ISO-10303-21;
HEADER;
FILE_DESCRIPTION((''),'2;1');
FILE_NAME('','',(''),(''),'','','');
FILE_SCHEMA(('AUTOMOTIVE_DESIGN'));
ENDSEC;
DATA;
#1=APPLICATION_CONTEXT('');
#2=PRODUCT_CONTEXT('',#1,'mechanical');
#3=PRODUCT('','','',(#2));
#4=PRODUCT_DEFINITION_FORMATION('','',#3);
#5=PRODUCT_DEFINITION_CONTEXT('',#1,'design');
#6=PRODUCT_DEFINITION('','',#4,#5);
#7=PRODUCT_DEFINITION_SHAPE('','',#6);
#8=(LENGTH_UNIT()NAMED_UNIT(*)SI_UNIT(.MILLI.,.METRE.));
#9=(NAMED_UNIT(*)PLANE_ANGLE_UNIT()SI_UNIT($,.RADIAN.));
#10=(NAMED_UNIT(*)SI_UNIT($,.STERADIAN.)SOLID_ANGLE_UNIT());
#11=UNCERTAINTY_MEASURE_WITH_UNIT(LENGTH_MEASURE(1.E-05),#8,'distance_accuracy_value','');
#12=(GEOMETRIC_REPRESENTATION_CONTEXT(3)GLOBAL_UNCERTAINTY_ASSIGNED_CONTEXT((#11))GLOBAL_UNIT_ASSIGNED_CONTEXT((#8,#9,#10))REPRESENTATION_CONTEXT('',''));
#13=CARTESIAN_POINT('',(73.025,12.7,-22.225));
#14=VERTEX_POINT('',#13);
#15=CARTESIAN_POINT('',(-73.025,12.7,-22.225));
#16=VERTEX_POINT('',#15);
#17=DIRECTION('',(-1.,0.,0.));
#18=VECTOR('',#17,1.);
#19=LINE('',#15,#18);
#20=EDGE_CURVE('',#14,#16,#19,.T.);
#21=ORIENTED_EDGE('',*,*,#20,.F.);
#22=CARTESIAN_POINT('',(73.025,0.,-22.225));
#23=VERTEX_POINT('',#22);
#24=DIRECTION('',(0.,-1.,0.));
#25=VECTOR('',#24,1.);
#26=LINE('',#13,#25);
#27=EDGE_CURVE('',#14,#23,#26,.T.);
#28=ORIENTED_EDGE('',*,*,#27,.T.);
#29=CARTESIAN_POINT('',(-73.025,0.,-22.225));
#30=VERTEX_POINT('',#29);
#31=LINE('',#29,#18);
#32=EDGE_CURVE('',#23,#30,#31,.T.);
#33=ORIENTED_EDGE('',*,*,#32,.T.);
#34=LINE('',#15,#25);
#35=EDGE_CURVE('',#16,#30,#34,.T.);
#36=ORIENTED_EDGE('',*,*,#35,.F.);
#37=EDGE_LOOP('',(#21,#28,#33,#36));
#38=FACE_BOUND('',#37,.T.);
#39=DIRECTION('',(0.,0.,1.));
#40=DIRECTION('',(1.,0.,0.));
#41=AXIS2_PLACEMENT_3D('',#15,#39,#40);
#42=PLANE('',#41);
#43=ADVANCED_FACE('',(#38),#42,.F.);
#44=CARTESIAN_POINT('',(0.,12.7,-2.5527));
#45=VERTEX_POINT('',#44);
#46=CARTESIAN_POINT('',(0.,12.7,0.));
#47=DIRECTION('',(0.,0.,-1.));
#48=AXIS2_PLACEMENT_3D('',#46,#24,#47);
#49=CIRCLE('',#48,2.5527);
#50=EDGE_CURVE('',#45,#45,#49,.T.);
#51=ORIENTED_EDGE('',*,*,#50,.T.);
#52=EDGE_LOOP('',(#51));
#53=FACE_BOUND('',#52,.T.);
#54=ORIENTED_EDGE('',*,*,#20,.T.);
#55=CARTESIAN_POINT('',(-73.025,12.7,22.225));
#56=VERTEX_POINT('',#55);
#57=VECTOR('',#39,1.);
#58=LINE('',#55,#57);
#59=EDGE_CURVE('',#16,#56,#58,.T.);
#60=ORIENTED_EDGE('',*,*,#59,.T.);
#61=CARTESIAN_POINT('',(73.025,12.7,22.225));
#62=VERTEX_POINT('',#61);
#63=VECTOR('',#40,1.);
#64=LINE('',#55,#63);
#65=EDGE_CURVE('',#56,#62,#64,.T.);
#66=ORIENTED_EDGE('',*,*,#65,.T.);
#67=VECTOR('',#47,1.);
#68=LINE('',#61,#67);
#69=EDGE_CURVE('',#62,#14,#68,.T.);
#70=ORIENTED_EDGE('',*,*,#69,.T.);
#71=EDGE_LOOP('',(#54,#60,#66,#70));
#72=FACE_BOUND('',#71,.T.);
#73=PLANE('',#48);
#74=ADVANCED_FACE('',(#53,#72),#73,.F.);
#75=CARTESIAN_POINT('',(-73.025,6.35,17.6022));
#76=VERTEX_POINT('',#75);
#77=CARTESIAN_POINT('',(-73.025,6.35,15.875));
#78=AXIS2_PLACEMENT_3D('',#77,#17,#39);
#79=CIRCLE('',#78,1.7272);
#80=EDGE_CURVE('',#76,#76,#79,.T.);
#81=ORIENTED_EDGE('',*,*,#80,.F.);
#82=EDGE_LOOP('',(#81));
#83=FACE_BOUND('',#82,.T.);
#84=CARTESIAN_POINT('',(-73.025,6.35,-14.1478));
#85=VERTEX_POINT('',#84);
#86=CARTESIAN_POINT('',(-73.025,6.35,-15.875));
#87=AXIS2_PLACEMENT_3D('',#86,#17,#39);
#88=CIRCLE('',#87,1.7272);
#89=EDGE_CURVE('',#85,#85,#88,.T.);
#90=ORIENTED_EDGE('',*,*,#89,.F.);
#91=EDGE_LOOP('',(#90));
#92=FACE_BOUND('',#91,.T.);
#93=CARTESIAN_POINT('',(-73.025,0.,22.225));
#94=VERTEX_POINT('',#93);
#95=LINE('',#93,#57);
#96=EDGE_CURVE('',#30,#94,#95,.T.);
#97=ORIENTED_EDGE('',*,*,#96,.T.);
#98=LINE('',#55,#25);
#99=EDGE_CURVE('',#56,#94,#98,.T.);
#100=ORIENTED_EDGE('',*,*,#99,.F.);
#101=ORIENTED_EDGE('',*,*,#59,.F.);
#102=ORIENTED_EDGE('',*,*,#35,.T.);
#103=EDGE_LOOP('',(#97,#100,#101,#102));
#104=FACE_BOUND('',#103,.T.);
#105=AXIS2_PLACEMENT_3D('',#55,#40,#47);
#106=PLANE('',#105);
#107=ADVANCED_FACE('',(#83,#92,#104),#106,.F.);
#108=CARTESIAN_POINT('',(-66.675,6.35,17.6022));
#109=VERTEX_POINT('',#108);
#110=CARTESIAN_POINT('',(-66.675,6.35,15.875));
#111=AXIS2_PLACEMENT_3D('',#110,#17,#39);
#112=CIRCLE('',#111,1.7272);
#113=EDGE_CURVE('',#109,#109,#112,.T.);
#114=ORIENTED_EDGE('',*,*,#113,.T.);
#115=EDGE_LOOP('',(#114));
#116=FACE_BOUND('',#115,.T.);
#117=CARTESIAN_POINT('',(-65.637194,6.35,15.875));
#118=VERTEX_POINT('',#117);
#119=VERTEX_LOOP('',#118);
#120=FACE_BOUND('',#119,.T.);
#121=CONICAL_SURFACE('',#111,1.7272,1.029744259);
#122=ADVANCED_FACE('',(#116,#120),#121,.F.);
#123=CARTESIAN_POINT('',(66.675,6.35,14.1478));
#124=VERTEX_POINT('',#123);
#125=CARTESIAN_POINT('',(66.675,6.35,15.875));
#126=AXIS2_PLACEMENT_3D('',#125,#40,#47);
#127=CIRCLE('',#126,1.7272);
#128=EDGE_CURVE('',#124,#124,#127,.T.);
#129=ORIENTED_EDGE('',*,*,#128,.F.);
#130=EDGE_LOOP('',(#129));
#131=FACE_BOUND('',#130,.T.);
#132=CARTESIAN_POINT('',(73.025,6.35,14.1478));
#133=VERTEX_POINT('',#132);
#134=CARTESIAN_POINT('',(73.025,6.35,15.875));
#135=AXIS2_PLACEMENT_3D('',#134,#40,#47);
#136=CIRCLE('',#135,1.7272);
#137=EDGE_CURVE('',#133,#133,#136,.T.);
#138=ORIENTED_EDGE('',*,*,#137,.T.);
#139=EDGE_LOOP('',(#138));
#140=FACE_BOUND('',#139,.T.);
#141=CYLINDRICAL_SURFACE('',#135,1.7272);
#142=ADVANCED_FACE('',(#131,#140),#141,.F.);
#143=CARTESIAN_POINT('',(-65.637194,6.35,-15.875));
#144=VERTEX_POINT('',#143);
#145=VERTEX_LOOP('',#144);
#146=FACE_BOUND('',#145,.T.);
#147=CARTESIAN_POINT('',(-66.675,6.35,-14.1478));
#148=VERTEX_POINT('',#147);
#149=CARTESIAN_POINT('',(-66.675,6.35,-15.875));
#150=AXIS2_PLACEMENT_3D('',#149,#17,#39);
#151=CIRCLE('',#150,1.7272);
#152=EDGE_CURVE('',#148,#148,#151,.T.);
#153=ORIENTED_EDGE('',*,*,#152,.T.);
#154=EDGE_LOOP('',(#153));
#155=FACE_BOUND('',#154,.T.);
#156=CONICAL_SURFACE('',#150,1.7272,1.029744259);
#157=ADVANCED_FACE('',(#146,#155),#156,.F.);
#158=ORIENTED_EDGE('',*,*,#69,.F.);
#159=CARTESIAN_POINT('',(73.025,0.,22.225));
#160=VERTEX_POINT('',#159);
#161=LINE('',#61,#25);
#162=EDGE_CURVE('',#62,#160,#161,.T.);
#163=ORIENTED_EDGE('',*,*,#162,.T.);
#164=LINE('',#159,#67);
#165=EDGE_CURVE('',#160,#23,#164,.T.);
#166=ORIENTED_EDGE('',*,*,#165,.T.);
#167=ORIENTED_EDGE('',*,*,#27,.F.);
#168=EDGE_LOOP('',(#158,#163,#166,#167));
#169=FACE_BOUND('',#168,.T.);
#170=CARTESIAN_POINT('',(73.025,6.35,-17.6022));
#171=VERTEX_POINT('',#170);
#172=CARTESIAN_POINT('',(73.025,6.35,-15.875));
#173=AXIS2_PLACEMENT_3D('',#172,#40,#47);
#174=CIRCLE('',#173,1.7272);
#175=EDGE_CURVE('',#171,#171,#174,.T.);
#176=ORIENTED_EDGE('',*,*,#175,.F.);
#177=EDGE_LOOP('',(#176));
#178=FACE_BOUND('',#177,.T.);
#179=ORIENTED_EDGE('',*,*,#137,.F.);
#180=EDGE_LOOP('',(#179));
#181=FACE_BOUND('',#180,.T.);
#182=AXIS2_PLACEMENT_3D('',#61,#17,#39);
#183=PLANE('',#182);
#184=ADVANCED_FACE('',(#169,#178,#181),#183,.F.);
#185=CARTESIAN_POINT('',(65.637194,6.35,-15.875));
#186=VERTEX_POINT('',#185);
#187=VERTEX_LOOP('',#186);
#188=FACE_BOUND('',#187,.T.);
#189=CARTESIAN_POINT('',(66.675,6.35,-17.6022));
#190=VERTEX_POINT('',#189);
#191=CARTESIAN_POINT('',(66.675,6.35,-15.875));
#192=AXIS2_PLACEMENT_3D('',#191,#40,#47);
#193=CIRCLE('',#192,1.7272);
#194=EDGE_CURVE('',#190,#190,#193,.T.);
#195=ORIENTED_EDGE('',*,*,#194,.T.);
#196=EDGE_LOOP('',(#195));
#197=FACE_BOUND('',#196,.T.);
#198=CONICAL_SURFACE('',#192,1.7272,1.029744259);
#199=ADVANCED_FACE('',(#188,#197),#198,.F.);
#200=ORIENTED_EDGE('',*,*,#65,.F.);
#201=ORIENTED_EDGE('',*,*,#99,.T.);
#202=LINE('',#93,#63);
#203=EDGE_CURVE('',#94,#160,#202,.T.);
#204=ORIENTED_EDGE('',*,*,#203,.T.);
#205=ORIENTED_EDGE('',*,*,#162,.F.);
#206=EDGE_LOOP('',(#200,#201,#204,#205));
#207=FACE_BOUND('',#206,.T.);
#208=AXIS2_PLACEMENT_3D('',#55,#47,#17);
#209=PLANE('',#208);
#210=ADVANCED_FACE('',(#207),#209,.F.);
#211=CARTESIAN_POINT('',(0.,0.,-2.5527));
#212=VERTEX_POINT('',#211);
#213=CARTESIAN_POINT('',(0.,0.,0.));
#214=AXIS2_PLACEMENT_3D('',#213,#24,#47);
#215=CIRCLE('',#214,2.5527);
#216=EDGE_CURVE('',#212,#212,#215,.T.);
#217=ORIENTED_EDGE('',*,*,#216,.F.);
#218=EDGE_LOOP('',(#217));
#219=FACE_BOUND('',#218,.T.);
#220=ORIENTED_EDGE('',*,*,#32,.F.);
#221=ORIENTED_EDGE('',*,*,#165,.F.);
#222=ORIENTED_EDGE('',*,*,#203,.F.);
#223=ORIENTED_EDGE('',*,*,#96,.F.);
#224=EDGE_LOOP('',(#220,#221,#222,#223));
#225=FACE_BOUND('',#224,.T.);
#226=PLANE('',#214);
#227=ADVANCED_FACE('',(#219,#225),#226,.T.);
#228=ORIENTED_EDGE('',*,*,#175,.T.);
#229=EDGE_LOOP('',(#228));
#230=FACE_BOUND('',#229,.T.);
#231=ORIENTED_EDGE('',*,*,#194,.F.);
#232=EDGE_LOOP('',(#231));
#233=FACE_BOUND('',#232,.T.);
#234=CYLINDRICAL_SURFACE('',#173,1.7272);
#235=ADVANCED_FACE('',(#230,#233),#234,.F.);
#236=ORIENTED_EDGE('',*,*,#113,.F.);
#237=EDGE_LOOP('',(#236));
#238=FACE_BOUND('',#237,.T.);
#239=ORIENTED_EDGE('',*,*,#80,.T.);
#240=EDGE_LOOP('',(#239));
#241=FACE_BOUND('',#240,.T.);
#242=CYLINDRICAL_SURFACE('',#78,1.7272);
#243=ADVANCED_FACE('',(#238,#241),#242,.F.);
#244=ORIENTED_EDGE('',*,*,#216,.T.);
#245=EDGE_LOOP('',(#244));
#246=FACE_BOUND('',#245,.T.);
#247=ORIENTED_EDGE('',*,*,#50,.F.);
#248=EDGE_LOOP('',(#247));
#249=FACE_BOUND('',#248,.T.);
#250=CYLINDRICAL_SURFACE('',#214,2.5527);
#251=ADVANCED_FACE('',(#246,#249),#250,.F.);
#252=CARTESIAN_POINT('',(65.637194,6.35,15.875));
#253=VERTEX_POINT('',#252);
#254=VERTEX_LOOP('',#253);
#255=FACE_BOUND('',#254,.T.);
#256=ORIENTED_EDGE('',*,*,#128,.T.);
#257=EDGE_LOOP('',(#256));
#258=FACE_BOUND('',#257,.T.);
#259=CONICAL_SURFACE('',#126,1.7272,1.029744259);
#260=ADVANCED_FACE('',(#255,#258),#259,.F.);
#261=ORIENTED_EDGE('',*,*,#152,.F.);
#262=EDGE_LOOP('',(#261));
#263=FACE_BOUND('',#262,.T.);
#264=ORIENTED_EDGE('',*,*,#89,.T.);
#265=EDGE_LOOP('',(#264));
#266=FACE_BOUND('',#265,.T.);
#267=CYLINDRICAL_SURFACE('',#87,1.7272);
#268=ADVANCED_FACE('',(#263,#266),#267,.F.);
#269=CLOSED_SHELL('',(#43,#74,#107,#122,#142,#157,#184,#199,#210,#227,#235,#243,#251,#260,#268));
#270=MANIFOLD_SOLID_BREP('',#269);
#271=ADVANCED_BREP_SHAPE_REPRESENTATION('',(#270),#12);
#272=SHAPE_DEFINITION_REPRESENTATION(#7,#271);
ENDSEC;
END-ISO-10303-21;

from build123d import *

# Parameters (mm, degrees)
SKETCH2_W                      = 146.05
SKETCH2_H                      = 44.45
BOSS_EXTRUDE1_DEPTH            = 12.7
F_1_4_20_TAPPED_HOLE1_D        = 5.1054
F_8_32_TAPPED_HOLE1_AT_2_COUNT = 2
F_8_32_TAPPED_HOLE1_AT_2_PITCH = 31.75


with BuildPart() as part:
    # Sketch2 → Boss-Extrude1 (new body)
    with BuildSketch(Plane(origin=(0, 0, 0), x_dir=(1, 0, 0), z_dir=(0, 1, 0))):
        Rectangle(SKETCH2_W, SKETCH2_H)
    extrude(amount=BOSS_EXTRUDE1_DEPTH)

    # 1/4-20 Tapped Hole1 (through all)
    with Locations(Plane(origin=(0, 0, 0), x_dir=(-1, 0, 0), z_dir=(0, -1, 0))):
        with Locations((0, 0)):
            Hole(F_1_4_20_TAPPED_HOLE1_D / 2)

    # Sketch7 → #8-32 Tapped Hole1 (revolve, cut)
    with BuildSketch(Plane(origin=(-73.025, 6.35, -15.875), x_dir=(0, 0, 1), z_dir=(0, 1, 0))):
        Polygon((0, 0), (0, 7.387806461), (1.7272, 6.35), (1.7272, 0), align=None)
    f_8_32_tapped_hole1 = revolve(axis=Axis((-79.375, 6.35, -15.875), (1, 0, 0)), mode=Mode.SUBTRACT)

    # #8-32 Tapped Hole1 at 2: #8-32 Tapped Hole1 ×2
    with Locations(*[(0, 0, i * F_8_32_TAPPED_HOLE1_AT_2_PITCH) for i in range(1, F_8_32_TAPPED_HOLE1_AT_2_COUNT)]):
        add(f_8_32_tapped_hole1, mode=Mode.SUBTRACT)

    # Mirror1: #8-32 Tapped Hole1 across plane
    add(f_8_32_tapped_hole1.mirror(Plane(origin=(0, 0, 0), x_dir=(0, 0, 1), z_dir=(1, 0, 0))), mode=Mode.SUBTRACT)

    # Mirror1 copy 1 sketch → Mirror1 copy 1 (revolve, cut)
    with BuildSketch(Plane(origin=(73.025, 6.35, 15.875), x_dir=(0, 0, 1), z_dir=(0, 1, 0))):
        Polygon((0, 0), (0, -7.387806461), (1.7272, -6.35), (1.7272, 0), align=None)
    revolve(axis=Axis((79.375, 6.35, 15.875), (1, 0, 0)), mode=Mode.SUBTRACT)


solid = part.part
